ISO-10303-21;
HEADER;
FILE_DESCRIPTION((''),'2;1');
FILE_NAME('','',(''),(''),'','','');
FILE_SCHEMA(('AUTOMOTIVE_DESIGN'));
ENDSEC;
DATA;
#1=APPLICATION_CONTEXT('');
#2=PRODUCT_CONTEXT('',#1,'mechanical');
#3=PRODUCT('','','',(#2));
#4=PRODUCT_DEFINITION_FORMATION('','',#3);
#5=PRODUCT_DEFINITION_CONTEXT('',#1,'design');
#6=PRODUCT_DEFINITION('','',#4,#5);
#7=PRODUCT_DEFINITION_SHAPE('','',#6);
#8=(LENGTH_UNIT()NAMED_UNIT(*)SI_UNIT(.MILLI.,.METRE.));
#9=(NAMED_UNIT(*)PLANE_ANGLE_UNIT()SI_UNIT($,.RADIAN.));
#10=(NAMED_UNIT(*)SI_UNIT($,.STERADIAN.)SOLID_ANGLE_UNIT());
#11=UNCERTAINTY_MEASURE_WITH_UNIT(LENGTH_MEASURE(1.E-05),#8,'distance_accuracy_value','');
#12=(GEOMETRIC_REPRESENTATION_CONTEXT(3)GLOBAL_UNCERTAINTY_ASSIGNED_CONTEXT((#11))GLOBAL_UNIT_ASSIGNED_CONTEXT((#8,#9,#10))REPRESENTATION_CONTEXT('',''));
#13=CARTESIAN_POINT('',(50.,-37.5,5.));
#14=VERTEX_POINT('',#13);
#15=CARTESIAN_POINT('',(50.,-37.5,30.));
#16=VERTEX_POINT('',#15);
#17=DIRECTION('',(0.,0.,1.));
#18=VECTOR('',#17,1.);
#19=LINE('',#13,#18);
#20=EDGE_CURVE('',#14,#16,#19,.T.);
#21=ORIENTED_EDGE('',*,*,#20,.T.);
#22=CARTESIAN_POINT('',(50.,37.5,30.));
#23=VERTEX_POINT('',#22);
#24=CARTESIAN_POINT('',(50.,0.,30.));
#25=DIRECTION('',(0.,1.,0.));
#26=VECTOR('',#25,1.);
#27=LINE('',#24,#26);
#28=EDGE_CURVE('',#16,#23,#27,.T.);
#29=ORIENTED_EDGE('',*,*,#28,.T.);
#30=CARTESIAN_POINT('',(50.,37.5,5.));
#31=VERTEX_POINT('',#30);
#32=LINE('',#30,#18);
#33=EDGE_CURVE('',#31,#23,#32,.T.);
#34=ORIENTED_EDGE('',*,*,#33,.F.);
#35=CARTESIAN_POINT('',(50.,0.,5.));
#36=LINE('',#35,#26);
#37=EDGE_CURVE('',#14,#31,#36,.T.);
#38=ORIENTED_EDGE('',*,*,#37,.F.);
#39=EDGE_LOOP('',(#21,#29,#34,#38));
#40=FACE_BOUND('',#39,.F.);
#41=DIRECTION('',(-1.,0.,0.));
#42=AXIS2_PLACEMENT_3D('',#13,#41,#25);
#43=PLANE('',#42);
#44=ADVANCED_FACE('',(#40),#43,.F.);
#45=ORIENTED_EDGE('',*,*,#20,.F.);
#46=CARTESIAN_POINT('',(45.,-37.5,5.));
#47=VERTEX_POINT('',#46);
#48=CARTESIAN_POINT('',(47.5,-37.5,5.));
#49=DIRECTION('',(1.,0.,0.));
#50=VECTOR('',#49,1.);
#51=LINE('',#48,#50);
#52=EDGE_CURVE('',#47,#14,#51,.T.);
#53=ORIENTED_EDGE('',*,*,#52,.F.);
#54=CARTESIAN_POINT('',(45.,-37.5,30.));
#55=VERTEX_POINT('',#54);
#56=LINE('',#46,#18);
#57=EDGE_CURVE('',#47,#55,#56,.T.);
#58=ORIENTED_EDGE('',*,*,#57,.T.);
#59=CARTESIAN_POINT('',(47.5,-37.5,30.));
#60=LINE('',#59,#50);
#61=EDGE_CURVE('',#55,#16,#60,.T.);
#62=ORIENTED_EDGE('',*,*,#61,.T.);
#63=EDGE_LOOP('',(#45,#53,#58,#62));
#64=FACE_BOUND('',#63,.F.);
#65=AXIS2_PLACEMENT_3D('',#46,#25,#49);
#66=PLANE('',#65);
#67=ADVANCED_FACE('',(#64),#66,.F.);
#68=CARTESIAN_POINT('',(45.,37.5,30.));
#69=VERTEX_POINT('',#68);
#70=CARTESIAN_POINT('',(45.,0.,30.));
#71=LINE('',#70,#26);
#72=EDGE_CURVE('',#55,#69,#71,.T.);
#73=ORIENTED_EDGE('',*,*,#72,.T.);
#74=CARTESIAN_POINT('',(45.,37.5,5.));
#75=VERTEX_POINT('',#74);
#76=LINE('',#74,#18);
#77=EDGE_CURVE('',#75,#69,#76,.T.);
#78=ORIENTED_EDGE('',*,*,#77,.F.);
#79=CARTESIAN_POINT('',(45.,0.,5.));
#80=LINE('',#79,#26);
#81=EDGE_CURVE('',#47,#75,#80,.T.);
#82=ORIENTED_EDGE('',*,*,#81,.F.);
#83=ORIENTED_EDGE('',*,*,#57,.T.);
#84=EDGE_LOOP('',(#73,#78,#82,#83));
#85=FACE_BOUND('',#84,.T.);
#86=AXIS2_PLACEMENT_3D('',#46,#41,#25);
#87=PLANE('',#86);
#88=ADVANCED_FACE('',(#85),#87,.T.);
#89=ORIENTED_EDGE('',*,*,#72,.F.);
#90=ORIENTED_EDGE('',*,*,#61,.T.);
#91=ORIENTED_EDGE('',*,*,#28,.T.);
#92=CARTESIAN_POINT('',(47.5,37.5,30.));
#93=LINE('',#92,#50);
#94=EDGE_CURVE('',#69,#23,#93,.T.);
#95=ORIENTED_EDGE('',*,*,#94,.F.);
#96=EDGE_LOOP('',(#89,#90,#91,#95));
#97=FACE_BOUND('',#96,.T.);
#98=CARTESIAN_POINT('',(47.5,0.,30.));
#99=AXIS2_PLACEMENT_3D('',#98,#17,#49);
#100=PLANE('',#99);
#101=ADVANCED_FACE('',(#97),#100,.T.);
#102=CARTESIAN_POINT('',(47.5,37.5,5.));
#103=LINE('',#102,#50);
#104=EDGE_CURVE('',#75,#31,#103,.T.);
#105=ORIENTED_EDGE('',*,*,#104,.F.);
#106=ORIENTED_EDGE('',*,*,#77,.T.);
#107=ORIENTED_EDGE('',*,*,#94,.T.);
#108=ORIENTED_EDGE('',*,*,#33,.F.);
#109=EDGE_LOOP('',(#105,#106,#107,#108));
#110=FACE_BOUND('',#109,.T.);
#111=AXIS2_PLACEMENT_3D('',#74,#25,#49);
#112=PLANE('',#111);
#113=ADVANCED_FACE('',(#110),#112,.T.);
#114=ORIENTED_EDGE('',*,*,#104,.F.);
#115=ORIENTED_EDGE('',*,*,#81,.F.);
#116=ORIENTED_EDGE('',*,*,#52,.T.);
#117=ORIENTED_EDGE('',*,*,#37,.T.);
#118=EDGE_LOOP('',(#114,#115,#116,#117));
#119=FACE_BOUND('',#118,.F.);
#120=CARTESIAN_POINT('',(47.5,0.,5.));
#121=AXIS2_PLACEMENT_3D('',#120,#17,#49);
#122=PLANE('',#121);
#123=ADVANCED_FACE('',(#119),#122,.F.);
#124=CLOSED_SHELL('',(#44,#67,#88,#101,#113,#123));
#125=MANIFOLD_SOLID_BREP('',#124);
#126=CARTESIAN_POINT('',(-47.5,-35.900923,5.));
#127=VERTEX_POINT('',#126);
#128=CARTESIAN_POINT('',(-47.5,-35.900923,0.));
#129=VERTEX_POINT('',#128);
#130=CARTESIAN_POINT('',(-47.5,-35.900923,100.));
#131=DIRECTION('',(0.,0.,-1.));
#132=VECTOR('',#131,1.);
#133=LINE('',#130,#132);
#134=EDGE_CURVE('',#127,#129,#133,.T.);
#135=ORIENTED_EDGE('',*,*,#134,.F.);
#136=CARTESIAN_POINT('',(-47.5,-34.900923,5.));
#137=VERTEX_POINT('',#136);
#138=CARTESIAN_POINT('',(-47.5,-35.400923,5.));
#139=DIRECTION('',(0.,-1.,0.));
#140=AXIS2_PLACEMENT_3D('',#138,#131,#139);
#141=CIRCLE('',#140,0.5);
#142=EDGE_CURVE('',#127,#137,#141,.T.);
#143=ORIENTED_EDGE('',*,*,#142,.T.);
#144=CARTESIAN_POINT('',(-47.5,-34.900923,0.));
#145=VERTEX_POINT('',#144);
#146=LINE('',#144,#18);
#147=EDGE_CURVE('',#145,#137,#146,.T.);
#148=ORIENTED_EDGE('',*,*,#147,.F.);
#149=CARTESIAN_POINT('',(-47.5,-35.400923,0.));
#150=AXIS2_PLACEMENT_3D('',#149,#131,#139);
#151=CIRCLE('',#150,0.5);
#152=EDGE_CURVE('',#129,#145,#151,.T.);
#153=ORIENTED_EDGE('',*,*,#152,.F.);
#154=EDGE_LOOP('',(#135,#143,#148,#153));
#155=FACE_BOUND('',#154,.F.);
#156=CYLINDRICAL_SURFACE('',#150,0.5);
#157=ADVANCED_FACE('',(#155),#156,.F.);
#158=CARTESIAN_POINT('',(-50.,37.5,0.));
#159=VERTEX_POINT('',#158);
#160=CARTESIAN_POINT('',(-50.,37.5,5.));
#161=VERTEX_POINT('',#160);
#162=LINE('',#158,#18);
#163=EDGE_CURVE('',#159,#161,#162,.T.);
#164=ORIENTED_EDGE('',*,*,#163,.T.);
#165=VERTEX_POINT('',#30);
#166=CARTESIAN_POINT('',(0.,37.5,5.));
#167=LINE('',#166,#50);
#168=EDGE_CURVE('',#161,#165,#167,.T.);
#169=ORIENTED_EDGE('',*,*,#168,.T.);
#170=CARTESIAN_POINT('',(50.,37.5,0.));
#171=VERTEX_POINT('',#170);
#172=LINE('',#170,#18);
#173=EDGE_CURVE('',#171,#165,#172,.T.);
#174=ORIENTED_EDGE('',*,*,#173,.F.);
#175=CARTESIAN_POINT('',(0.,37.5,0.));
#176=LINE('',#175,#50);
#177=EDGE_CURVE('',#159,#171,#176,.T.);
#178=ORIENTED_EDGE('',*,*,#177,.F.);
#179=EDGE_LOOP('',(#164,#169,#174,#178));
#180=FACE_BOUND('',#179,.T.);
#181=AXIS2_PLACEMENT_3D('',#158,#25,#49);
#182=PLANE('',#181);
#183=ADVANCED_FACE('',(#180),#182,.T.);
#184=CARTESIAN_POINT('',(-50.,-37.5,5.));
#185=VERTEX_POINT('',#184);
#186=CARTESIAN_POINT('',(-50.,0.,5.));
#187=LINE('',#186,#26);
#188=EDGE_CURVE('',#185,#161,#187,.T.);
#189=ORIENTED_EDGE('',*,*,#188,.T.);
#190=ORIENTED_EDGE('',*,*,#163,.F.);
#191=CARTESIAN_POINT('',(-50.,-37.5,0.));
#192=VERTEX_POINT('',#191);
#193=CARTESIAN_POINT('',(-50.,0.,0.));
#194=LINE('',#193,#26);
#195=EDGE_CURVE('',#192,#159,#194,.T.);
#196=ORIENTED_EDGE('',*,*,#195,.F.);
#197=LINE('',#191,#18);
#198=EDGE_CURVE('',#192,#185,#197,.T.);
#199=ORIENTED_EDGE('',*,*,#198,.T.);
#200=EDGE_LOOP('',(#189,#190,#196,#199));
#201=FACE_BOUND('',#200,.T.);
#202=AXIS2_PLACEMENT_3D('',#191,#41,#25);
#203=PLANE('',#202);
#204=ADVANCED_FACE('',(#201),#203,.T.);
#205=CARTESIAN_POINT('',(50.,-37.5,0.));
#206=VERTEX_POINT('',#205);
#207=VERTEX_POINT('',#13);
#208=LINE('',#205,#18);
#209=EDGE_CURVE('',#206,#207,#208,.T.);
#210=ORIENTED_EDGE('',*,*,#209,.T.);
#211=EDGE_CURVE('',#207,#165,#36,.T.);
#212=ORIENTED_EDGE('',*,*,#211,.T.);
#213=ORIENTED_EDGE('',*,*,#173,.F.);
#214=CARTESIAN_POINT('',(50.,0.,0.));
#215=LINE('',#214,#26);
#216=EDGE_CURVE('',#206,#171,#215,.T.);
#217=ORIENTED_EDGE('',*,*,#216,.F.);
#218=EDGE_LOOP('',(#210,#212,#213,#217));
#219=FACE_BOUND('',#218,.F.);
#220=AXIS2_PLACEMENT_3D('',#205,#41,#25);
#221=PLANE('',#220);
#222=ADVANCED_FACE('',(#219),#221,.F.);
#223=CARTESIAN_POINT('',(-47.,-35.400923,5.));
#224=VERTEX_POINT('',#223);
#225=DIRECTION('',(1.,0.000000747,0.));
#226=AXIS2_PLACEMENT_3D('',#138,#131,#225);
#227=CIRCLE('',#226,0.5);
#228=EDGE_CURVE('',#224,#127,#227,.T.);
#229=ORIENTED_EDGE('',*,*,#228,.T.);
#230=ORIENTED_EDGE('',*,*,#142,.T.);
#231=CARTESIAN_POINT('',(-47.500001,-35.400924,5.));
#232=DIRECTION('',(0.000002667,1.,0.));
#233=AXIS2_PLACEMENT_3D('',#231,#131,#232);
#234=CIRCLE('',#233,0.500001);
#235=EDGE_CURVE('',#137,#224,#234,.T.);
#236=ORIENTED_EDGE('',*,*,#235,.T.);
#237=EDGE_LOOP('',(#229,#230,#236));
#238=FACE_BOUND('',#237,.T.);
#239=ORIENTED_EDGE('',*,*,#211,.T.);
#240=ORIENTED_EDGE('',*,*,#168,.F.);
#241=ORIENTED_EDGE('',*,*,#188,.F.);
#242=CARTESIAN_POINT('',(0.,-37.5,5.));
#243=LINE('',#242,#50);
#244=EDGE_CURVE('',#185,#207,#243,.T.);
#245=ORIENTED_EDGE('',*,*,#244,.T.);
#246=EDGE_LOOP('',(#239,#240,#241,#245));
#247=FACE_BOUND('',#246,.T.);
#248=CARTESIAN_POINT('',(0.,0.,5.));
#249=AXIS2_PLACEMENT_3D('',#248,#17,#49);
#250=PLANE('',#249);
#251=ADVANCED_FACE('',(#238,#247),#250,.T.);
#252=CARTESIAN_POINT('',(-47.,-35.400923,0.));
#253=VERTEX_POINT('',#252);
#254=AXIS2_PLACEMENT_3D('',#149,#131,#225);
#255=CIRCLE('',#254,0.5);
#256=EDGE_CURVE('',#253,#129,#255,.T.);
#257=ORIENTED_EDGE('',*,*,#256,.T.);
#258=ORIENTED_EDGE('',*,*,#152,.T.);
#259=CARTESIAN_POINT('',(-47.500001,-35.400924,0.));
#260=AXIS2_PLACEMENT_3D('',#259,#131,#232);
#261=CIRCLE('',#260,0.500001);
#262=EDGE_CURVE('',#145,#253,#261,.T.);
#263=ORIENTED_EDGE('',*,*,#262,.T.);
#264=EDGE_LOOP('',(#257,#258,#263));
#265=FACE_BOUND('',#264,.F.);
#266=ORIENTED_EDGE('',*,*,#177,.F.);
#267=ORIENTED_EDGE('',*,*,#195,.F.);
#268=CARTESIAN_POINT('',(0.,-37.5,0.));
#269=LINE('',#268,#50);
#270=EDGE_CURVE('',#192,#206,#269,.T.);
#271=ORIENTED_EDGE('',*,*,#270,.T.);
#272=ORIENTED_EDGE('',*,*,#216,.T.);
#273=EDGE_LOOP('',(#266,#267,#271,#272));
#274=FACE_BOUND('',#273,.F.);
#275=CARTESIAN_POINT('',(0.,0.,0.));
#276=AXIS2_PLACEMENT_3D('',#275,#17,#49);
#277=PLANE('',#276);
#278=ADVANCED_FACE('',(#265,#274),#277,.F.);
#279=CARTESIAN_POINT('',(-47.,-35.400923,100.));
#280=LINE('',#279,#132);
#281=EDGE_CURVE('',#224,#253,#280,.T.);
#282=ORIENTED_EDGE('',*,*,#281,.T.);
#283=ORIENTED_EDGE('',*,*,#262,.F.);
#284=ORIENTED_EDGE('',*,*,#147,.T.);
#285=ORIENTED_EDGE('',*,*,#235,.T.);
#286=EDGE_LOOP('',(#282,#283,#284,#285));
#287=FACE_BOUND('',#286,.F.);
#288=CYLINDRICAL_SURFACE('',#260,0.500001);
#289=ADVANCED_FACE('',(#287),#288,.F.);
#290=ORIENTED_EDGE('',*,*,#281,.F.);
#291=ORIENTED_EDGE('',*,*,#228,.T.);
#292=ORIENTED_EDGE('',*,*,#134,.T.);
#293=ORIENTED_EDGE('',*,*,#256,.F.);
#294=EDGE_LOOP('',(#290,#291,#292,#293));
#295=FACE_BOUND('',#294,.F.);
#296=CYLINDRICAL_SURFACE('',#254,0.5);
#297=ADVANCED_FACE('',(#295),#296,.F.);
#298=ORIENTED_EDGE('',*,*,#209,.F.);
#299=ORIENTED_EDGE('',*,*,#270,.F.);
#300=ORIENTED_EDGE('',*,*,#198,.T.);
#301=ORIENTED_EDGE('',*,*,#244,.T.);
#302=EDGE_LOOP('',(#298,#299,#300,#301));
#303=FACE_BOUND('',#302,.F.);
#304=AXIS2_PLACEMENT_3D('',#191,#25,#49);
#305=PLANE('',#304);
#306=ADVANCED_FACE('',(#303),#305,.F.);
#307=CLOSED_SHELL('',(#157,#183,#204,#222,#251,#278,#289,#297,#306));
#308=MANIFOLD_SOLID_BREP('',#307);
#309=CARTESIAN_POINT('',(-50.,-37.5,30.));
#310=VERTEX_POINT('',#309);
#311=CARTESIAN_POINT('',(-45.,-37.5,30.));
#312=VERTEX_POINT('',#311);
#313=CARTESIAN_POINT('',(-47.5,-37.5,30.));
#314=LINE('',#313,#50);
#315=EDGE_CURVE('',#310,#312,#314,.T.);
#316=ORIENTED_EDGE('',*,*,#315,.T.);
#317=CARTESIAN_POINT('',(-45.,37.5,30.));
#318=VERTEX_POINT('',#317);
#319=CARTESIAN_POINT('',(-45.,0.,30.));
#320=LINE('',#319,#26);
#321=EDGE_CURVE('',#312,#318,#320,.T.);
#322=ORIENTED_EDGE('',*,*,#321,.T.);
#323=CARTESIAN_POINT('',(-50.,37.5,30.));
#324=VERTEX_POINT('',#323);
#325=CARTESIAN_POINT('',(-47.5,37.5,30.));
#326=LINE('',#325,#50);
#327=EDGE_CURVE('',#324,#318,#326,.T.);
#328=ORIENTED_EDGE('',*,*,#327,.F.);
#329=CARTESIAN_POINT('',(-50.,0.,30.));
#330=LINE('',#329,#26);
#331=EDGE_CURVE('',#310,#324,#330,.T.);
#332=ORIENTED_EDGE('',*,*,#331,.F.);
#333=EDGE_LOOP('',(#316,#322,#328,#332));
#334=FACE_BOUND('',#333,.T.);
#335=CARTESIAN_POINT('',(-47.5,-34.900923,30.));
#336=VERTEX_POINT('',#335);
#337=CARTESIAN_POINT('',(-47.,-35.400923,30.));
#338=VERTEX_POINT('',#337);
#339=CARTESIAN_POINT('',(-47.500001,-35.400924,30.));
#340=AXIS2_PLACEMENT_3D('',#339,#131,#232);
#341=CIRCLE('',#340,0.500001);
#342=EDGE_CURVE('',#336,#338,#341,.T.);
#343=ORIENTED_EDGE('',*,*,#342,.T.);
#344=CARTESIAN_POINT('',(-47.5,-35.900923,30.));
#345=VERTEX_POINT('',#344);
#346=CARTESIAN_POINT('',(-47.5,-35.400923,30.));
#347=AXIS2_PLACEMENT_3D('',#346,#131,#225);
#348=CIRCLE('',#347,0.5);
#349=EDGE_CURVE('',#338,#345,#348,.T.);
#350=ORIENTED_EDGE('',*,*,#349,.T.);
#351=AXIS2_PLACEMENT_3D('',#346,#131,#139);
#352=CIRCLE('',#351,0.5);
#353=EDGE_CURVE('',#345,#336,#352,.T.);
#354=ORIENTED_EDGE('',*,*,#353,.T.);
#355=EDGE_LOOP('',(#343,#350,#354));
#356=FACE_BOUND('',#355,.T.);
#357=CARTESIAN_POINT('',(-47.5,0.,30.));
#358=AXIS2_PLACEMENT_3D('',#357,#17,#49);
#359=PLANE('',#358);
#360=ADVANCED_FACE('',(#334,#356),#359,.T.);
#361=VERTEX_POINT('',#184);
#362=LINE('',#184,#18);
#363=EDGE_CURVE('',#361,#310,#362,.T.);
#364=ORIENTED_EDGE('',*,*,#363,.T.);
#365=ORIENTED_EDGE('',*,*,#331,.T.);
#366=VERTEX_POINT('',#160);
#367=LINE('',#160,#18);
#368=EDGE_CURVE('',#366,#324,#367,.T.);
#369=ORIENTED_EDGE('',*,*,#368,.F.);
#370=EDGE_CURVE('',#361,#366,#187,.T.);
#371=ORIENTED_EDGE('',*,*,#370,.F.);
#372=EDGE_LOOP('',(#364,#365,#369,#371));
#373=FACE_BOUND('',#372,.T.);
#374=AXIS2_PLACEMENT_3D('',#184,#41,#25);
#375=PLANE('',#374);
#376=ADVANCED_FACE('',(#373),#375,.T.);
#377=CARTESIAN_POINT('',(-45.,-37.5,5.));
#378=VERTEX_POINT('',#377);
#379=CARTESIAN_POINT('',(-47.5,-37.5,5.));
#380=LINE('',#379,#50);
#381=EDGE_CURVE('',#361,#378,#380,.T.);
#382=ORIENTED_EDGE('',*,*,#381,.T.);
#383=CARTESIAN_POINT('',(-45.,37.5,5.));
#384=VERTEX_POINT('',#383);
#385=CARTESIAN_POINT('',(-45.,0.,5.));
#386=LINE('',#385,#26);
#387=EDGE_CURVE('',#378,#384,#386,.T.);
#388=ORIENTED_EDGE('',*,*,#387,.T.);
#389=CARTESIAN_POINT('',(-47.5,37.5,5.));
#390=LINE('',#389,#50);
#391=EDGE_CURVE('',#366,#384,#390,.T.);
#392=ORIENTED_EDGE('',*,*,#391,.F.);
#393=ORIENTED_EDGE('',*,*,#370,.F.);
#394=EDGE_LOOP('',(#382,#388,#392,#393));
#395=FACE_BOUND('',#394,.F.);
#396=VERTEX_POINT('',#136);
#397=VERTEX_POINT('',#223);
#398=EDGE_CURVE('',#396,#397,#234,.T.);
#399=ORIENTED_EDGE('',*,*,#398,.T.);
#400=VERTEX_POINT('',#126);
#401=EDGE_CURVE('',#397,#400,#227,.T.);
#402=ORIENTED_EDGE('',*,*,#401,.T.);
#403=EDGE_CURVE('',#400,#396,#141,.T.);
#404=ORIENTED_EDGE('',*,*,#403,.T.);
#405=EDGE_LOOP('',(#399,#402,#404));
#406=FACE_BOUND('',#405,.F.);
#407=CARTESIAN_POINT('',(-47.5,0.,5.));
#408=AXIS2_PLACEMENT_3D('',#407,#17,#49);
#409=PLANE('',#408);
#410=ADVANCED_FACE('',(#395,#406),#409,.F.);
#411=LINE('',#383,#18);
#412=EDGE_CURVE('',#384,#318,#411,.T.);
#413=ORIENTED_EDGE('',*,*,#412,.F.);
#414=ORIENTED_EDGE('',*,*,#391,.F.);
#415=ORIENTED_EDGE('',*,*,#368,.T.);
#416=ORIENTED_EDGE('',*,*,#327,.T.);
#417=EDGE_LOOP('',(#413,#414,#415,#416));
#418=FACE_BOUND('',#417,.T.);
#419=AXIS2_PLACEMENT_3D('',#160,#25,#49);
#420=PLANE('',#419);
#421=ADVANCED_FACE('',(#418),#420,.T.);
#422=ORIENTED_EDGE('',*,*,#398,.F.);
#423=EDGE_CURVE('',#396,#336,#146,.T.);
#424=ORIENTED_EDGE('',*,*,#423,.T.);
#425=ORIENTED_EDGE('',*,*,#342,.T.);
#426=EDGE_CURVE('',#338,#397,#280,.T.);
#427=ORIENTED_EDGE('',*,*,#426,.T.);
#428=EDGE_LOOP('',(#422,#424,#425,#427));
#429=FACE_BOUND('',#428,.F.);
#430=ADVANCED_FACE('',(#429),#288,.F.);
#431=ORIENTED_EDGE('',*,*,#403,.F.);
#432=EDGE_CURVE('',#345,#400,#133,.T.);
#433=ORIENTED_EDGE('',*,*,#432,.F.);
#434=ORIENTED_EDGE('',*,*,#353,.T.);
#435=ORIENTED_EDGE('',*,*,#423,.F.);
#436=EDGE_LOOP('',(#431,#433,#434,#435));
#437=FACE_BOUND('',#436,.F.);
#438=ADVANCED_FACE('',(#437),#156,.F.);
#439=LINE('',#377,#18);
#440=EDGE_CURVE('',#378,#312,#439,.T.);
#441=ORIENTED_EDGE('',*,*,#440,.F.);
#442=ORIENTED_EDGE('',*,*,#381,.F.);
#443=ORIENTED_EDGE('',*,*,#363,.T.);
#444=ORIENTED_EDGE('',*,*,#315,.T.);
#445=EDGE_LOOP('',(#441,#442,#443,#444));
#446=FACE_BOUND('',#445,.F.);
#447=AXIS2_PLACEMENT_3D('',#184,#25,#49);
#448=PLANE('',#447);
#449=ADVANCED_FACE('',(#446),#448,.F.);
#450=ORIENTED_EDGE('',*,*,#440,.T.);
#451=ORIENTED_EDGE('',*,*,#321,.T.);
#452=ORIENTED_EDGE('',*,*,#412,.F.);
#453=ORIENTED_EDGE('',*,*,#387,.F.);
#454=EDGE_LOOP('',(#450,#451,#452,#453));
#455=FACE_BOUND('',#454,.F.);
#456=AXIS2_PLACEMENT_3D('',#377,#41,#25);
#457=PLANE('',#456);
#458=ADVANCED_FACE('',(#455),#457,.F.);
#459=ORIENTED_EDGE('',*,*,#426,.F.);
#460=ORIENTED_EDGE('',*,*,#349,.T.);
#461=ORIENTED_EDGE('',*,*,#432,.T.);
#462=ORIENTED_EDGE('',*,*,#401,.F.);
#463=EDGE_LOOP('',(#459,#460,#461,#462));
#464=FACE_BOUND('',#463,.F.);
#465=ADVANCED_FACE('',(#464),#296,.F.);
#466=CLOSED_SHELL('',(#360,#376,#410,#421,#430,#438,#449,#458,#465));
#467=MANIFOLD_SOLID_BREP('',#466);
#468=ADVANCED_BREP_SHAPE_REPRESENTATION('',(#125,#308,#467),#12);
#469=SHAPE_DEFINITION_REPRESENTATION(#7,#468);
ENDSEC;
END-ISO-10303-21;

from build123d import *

# Parameters (mm, degrees)
F0_W          = 100
F0_H          = 75
F1_DEPTH      = 5
F2_W          = 5
F2_H          = 75
F3_DEPTH      = 25
F5_DEPTH      = 100
F5_DEPTH_BACK = 25


with BuildPart() as f1:
    # F0 (on Top) → F1 (new body)
    with BuildSketch(Plane.XY):
        Rectangle(F0_W, F0_H)
    extrude(amount=F1_DEPTH)


with BuildPart() as f3:
    # F2 (on face) → F3 (new body)
    with BuildSketch(Plane.XY.offset(5)):
        with Locations((-47.5, 0)):
            Rectangle(F2_W, F2_H)
        with Locations((47.5, 0)):
            Rectangle(F2_W, F2_H)
    extrude(amount=F3_DEPTH)


with BuildPart() as f5_tool:
    # F4 (on face) → F5 (new body, two sides)
    with BuildSketch(Plane(origin=(0, 0, 0), x_dir=(1, 0, 0), z_dir=(0, 0, -1))) as f5_sk:
        with BuildLine():
            ThreePointArc((-47.5, 34.900923), (-47.146447, 35.04737), (-47, 35.400923))
            ThreePointArc((-47, 35.400923), (-47.146447, 35.754477), (-47.5, 35.900923))
            Line((-47.5, 35.900923), (-47.5, 34.900923))
        make_face()
        with BuildLine():
            Line((-47.5, 34.900923), (-47.5, 35.900923))
            ThreePointArc((-47.5, 35.900923), (-48, 35.400923), (-47.5, 34.900923))
        make_face()
    extrude(amount=-F5_DEPTH)
    extrude(f5_sk.sketch, amount=-F5_DEPTH_BACK)


with BuildPart() as f1_1:
    add(f1.part)

    # F5: cut by f5_tool
    add(f5_tool.part, mode=Mode.SUBTRACT)


with BuildPart() as f3_1:
    add(f3.part)

    # F5: cut by f5_tool
    add(f5_tool.part, mode=Mode.SUBTRACT)


solid = Compound([f1_1.part, f3_1.part])
